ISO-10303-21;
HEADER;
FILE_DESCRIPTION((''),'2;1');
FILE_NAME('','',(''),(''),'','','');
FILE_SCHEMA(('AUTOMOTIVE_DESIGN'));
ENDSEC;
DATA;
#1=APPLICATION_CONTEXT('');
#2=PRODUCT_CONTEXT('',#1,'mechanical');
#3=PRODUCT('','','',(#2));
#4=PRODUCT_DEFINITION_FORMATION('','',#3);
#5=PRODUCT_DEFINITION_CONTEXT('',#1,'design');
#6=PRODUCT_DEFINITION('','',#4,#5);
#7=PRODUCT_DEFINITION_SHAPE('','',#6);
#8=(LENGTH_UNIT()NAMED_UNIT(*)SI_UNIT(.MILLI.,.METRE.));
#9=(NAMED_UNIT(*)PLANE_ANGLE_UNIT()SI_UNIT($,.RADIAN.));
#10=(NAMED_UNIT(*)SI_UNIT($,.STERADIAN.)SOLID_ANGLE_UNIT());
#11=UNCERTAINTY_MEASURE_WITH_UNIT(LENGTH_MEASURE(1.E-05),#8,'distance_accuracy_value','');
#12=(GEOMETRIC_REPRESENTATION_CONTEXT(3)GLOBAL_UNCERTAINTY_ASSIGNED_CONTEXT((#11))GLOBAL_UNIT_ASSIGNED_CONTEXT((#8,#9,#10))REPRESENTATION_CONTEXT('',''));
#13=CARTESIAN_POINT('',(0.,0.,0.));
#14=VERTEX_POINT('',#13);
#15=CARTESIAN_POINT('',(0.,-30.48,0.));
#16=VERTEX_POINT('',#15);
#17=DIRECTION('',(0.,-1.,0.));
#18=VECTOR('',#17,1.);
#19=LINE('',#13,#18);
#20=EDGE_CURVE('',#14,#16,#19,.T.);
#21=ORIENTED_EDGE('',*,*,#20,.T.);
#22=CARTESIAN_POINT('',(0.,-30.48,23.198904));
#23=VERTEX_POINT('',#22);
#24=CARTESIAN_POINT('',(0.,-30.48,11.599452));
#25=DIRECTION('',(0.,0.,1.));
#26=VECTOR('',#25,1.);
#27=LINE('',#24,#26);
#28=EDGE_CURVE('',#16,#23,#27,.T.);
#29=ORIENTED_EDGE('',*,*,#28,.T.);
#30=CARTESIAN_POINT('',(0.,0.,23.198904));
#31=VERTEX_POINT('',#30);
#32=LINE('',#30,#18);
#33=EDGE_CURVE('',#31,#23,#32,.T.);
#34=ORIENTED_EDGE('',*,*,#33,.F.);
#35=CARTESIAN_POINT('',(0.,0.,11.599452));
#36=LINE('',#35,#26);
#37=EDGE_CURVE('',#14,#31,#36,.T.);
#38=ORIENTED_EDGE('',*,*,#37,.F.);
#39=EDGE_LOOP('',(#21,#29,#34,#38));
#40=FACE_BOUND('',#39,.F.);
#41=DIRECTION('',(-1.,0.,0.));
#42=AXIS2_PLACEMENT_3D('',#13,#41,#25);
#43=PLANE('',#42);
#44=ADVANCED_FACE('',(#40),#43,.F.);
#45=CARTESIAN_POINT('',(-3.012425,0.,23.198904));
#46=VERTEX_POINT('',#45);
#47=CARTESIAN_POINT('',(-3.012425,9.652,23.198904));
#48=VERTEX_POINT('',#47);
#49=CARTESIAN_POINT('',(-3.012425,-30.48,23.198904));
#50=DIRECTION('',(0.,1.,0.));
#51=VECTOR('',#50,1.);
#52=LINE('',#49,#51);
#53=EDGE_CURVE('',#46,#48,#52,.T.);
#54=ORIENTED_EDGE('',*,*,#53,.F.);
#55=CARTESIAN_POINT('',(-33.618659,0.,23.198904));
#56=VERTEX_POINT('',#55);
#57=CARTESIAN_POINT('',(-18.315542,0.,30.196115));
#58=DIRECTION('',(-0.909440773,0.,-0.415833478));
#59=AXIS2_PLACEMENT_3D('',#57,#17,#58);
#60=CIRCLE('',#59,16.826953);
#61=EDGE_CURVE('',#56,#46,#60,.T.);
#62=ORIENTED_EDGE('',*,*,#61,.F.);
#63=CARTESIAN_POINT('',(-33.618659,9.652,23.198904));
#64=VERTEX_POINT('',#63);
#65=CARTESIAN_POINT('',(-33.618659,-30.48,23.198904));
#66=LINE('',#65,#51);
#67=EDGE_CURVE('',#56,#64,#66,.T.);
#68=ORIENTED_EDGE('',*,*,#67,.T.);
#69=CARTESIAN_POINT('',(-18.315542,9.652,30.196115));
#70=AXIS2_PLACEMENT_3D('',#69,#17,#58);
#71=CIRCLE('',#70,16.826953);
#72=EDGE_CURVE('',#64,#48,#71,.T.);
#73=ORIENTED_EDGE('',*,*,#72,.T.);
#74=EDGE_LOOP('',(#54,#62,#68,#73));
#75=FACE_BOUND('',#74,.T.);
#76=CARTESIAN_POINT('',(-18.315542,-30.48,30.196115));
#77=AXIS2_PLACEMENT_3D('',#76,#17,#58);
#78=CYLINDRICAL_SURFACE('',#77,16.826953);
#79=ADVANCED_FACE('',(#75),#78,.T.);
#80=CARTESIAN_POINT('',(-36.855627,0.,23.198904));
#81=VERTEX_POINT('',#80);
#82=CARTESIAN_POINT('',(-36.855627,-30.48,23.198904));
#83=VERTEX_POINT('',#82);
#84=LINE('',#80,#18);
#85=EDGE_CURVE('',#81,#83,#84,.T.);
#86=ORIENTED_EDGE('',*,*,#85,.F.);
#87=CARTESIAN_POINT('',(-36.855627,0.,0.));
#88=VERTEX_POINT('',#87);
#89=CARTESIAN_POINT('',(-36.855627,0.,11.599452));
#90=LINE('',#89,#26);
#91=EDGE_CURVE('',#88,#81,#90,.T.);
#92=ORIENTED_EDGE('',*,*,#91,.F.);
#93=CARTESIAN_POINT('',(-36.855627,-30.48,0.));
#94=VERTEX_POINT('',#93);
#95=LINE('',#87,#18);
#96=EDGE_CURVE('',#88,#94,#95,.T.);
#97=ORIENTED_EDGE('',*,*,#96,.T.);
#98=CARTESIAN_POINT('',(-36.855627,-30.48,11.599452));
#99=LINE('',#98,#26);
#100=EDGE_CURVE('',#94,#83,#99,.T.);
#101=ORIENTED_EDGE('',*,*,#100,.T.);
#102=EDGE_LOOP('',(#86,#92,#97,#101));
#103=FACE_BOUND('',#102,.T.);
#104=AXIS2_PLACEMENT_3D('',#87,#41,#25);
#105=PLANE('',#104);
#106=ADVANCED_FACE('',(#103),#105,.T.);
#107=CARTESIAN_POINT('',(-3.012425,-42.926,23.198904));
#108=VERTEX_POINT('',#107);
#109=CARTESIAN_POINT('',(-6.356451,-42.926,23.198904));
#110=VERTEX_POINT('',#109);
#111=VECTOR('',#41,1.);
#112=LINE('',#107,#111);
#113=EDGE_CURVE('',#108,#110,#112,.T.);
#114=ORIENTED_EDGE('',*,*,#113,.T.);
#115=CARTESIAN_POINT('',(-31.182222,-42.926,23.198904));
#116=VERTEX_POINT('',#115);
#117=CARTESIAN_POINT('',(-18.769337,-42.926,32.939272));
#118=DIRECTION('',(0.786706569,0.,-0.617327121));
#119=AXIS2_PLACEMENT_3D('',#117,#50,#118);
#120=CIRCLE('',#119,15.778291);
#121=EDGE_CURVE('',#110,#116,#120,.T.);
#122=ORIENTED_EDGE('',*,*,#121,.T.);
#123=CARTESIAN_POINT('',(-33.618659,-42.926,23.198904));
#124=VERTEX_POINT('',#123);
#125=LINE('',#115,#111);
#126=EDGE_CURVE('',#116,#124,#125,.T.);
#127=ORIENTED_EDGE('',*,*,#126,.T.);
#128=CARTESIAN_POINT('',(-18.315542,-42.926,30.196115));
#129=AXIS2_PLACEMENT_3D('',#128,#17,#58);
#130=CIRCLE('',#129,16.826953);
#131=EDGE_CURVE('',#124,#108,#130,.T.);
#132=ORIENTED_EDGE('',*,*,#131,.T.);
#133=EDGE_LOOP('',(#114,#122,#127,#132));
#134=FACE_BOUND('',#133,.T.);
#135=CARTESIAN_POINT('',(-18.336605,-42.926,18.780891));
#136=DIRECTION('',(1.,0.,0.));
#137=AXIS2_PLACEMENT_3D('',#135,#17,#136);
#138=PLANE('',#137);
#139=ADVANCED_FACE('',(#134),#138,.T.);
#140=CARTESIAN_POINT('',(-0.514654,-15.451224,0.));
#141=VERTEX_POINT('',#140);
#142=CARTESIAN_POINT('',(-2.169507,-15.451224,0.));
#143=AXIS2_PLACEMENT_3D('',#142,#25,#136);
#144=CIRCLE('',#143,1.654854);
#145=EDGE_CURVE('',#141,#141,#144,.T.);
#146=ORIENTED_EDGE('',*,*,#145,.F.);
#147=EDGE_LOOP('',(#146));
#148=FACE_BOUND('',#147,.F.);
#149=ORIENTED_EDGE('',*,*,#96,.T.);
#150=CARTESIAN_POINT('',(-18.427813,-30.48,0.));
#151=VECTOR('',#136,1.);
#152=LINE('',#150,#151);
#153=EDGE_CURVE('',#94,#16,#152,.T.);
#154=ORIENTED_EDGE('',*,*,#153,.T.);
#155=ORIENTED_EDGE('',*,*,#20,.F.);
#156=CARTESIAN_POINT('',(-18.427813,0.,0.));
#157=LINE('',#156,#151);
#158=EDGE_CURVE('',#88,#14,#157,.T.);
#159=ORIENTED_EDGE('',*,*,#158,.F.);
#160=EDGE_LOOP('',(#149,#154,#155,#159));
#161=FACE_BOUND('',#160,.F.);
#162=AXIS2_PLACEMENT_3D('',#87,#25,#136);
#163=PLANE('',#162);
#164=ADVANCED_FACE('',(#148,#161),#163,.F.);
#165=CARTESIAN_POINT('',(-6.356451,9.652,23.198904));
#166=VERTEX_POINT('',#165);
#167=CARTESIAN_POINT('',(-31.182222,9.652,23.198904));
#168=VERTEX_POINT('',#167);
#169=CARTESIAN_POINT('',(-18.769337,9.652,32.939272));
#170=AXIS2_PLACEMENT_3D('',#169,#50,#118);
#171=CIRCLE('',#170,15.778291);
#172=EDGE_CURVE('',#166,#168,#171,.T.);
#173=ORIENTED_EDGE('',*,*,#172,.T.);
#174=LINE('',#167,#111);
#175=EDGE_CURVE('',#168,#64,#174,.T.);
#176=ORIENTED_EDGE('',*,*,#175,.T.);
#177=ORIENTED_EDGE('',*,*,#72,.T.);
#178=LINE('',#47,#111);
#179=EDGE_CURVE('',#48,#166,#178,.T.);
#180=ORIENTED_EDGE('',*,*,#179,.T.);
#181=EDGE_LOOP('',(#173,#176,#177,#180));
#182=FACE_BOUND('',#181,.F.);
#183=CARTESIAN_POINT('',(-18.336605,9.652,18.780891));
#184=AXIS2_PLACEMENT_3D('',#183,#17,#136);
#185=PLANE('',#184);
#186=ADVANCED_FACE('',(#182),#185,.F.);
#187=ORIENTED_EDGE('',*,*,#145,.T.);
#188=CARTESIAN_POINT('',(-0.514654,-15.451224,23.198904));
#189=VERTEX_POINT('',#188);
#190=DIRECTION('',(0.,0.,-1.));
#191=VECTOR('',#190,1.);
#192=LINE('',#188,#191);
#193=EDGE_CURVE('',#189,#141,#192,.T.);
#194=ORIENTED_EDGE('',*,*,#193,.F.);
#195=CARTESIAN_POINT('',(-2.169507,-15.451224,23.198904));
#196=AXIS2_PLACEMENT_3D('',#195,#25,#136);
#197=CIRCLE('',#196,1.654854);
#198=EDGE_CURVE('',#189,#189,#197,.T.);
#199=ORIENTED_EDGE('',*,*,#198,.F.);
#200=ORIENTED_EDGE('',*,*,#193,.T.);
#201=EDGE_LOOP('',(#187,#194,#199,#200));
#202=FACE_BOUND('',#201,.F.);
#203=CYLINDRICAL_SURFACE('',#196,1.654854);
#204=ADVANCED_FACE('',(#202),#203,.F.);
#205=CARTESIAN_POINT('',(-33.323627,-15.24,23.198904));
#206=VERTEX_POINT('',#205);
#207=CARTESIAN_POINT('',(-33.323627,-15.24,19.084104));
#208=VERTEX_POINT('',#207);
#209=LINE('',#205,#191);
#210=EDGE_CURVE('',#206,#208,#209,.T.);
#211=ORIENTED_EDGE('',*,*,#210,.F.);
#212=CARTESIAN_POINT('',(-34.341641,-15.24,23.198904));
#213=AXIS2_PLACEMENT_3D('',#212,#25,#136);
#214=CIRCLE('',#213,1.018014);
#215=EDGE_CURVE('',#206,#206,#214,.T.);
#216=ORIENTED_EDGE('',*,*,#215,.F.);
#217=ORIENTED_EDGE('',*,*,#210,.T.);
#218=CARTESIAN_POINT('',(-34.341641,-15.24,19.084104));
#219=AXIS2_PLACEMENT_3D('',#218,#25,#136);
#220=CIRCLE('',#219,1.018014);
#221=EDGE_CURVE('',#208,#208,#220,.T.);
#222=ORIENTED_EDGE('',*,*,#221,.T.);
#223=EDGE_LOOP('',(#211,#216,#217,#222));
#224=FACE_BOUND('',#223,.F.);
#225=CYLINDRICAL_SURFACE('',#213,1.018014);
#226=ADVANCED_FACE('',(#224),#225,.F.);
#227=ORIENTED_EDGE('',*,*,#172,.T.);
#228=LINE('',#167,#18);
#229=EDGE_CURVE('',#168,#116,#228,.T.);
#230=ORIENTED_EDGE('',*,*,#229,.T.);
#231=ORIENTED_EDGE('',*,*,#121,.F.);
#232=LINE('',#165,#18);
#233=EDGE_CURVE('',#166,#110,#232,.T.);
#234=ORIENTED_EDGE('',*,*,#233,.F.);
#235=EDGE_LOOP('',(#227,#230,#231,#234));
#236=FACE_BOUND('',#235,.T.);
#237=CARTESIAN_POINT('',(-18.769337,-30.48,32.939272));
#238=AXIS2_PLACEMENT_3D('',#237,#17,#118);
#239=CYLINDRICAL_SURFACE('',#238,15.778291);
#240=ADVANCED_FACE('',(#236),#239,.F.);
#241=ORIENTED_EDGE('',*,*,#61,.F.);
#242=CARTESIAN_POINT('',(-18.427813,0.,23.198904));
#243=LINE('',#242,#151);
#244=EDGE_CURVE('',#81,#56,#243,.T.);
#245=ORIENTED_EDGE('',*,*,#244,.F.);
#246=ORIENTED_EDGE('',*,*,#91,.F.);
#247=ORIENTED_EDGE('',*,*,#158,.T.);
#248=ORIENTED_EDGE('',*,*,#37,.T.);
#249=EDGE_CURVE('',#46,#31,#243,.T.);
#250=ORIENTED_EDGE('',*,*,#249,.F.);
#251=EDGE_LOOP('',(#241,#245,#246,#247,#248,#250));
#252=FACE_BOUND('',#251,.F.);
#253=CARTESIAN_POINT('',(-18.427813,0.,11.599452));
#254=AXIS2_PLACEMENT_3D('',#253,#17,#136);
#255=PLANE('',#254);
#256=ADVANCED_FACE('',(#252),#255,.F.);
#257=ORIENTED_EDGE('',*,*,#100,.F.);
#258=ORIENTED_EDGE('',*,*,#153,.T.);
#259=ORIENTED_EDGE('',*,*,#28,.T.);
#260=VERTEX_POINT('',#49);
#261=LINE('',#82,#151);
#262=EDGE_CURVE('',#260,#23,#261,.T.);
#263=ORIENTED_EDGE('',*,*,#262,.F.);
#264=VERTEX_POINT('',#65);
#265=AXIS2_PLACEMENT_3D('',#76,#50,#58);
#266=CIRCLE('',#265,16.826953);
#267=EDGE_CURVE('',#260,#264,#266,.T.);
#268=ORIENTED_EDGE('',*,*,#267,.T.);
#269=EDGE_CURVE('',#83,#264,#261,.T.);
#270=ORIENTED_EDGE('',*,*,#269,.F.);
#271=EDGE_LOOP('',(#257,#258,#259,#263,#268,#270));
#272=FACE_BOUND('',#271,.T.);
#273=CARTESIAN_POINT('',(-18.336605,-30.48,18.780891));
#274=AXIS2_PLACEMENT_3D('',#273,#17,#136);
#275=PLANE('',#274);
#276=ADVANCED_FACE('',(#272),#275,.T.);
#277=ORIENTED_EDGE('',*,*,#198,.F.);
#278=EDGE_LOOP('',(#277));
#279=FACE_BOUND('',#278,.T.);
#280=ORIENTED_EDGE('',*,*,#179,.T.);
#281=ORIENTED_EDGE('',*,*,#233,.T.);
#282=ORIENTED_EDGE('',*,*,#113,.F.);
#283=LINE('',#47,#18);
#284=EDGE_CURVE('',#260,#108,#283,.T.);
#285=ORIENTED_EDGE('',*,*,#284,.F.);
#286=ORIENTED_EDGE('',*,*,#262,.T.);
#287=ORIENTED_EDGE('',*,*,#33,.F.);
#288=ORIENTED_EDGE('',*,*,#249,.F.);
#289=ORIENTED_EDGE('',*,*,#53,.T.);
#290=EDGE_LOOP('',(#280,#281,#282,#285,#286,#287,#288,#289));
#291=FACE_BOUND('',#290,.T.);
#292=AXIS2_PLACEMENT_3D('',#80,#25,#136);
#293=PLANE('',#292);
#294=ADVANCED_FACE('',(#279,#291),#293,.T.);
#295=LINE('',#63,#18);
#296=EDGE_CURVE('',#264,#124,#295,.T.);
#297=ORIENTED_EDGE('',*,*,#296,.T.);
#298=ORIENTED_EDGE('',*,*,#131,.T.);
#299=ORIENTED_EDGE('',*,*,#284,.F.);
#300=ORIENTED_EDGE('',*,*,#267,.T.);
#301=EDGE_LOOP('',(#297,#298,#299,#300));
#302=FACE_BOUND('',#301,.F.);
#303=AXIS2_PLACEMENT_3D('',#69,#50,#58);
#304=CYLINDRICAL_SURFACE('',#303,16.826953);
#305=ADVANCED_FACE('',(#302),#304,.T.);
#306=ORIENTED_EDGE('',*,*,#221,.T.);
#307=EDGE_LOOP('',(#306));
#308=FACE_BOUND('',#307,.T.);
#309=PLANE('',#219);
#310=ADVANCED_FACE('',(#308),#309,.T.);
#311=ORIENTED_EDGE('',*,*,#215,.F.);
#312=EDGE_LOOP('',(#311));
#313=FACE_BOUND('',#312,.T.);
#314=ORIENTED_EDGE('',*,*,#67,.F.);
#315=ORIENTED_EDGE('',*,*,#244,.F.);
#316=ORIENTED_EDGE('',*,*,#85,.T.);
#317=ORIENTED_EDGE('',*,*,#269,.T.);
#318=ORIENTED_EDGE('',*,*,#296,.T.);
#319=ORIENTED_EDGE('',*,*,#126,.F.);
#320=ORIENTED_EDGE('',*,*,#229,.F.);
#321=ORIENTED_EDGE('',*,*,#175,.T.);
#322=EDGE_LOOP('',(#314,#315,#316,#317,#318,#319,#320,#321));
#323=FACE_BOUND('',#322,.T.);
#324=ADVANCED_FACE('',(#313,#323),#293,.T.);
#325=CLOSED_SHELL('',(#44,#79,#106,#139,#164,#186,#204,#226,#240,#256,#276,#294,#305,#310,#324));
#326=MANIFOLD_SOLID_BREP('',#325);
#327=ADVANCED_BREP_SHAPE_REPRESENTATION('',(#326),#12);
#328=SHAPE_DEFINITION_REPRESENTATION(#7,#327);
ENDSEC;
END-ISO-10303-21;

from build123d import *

# Parameters (mm, degrees)
F0_W     = 36.8556268513
F0_H     = 23.1989044696
F1_DEPTH = 30.48
F3_DEPTH = 40.132
F4_DEPTH = 52.578
F5_DEPTH = 77.978
F6_R     = 1.0180140376
F7_DEPTH = 4.1148
F8_R     = 1.6548537216
F9_DEPTH = 43.8912


with BuildPart() as f1:
    # F0 (on Front) → F1 (new body)
    with BuildSketch(Plane.XZ):
        with Locations((-18.4278134257, 11.5994522348)):
            Rectangle(F0_W, F0_H)
    extrude(amount=F1_DEPTH)

    # F2 (on face) → F3 (join)
    with BuildSketch(Plane.XZ.offset(30.48)):
        with BuildLine():
            ThreePointArc((-6.3564511947, 23.1989044696), (-18.7693366315, 17.1609803007), (-31.1822220683, 23.1989044696))
            Line((-31.1822220683, 23.1989044696), (-33.6186587811, 23.1989044696))
            ThreePointArc((-33.6186587811, 23.1989044696), (-18.3155420236, 13.3691620993), (-3.0124252662, 23.1989044696))
            Line((-3.0124252662, 23.1989044696), (-6.3564511947, 23.1989044696))
        make_face()
    extrude(amount=-F3_DEPTH)

    # F4 (add): a face of the model
    f4_faces = [f1.faces().sort_by_distance(p)[0] for p in [
        (-18.3155420236, 9.652, 13.690622107),
    ]]
    extrude(f4_faces, amount=-F4_DEPTH)

    # F5 (cut): a face of the model
    f5_faces = [f1.faces().sort_by_distance(p)[0] for p in [
        (-18.7693366315, -30.48, 20.7391498163),
    ]]
    extrude(f5_faces, amount=-F5_DEPTH, mode=Mode.SUBTRACT)

    # F6 (on face) → F7 (cut)
    with BuildSketch(Plane.XY.offset(23.1989044696)):
        with Locations((-34.3416407704, -15.24)):
            Circle(F6_R)
    extrude(amount=-F7_DEPTH, mode=Mode.SUBTRACT)

    # F8 (on face) → F9 (cut)
    with BuildSketch(Plane.XY.offset(23.1989044696)):
        with Locations((-2.1695073228, -15.4512235895)):
            Circle(F8_R)
    extrude(amount=-F9_DEPTH, mode=Mode.SUBTRACT)


solid = f1.part
